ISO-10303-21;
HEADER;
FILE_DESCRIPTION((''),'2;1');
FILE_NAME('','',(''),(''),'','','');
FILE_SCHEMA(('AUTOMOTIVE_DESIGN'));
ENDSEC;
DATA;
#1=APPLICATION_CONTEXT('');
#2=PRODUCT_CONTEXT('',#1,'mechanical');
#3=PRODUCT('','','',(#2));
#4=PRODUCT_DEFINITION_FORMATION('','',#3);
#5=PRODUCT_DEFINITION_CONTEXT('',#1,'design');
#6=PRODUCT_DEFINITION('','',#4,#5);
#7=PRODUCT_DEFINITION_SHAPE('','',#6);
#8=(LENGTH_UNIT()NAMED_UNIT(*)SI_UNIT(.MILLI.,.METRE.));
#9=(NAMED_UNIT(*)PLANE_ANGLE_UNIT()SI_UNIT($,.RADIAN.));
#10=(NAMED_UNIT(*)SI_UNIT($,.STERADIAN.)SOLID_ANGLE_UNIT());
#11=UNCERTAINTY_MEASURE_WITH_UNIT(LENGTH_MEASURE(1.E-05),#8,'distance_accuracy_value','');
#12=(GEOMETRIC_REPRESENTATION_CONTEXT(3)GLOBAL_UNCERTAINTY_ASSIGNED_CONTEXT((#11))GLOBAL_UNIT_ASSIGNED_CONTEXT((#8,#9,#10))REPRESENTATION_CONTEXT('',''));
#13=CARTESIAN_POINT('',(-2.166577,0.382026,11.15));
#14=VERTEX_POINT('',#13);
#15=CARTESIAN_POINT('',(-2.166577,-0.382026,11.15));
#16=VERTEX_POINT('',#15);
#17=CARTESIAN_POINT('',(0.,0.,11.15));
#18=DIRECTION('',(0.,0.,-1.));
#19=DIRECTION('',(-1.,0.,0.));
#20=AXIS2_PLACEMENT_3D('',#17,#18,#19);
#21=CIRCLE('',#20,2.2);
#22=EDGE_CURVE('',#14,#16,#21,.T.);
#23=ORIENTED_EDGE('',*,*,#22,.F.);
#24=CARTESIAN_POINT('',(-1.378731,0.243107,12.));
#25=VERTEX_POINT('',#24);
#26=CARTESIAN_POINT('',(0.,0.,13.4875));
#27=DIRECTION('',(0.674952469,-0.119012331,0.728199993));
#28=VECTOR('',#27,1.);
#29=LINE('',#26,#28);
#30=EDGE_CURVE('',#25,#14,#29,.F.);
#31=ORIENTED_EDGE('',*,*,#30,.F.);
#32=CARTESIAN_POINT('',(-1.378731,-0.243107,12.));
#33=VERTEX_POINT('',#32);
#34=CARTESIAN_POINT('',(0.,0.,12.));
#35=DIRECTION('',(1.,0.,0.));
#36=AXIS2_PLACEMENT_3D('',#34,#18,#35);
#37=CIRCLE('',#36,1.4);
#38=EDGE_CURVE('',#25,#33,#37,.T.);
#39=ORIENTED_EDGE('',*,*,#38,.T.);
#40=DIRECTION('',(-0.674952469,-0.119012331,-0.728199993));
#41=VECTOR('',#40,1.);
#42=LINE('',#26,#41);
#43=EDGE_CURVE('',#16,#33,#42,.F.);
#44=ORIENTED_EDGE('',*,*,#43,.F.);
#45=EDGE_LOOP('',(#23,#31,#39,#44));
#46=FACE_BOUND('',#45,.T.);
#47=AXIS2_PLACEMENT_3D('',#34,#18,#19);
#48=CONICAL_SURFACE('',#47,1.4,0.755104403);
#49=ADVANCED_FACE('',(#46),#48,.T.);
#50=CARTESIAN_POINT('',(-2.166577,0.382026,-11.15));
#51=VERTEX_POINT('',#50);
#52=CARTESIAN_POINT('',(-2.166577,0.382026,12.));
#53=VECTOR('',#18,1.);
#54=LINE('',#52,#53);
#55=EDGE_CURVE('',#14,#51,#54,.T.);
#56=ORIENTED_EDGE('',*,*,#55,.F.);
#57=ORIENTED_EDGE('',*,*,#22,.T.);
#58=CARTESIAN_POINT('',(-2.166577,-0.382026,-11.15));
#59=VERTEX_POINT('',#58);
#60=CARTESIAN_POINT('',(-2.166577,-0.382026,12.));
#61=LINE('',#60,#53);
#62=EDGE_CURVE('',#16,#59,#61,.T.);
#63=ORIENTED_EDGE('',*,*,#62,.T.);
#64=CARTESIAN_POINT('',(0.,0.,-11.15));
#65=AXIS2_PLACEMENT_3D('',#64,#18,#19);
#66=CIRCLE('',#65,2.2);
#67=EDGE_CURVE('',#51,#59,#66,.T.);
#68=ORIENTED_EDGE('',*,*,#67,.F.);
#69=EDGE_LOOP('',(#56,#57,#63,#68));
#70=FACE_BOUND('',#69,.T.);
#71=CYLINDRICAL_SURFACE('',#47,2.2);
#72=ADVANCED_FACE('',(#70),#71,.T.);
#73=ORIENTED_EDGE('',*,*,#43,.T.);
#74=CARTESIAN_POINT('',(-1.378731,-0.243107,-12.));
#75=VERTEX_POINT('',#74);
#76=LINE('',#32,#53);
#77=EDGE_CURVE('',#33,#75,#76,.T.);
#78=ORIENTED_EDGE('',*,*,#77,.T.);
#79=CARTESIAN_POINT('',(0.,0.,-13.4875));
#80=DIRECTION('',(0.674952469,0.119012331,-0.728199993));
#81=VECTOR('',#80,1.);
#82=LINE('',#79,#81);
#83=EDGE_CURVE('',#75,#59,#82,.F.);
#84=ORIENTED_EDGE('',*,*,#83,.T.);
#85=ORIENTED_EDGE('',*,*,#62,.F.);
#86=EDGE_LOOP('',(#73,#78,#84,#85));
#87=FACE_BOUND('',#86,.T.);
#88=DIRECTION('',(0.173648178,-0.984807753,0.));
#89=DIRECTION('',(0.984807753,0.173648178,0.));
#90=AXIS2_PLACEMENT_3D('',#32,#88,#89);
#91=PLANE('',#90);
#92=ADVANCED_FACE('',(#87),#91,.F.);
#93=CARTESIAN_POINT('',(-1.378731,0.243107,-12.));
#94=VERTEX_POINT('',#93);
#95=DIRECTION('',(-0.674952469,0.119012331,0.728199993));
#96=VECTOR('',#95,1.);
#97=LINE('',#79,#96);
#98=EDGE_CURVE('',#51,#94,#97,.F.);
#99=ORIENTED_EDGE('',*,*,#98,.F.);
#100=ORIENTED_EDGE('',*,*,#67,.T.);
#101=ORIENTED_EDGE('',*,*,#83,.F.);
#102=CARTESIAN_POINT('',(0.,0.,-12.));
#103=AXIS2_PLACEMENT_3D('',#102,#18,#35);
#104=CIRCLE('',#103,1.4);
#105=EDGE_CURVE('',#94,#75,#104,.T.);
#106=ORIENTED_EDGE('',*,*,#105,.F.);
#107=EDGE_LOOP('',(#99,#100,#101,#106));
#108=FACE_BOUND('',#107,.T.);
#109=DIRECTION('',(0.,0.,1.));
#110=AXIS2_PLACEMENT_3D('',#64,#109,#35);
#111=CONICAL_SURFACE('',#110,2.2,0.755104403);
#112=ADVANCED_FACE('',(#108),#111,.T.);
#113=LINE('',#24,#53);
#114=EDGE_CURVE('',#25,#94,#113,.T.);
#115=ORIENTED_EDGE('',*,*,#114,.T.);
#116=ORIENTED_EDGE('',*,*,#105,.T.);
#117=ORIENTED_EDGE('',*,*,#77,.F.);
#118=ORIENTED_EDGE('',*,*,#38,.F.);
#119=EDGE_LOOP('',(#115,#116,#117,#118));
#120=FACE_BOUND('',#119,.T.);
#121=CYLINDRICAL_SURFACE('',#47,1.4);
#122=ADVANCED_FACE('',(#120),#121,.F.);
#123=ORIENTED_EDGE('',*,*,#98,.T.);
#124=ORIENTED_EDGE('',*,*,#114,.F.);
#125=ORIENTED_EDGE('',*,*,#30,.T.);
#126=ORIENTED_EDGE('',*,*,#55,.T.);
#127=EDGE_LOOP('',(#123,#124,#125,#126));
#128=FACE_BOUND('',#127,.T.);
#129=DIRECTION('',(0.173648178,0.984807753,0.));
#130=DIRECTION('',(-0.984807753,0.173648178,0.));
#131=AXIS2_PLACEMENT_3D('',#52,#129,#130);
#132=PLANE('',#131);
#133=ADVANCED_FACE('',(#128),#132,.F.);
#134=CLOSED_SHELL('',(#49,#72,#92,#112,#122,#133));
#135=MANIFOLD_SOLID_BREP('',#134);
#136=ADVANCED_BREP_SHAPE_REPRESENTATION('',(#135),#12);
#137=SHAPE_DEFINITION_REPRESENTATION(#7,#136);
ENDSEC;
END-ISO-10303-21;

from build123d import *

# Parameters (mm, degrees)
EXTRUDE1_DEPTH = 12


with BuildPart() as part:
    # Sketch1 → Extrude1 (new, symmetric)
    with BuildSketch(Plane.XY):
        with BuildLine():
            Line((-2.166577057, 0.382025991), (-1.378730854, 0.243107449))
            ThreePointArc((-1.378730854, 0.243107449), (1.4, 0), (-1.378730854, -0.243107449))
            Line((-1.378730854, -0.243107449), (-2.166577057, -0.382025991))
            ThreePointArc((-2.166577057, -0.382025991), (2.2, 0), (-2.166577057, 0.382025991))
        make_face()
    extrude(amount=EXTRUDE1_DEPTH, both=True)

    # Sketch2 → Cut-Revolve1 (revolve, cut)
    with BuildSketch(Plane(origin=(0, 0, 0), x_dir=(0, 0, -1), z_dir=(1, 0, 0))):
        Polygon((12, 2.2), (12, 1.4), (11.15, 2.2), align=None)
        Polygon((-11.15, 2.2), (-12, 2.2), (-12, 1.4), align=None)
    revolve(axis=Axis((0, 0, -12), (0, 0, 1)), mode=Mode.SUBTRACT)


solid = part.part
